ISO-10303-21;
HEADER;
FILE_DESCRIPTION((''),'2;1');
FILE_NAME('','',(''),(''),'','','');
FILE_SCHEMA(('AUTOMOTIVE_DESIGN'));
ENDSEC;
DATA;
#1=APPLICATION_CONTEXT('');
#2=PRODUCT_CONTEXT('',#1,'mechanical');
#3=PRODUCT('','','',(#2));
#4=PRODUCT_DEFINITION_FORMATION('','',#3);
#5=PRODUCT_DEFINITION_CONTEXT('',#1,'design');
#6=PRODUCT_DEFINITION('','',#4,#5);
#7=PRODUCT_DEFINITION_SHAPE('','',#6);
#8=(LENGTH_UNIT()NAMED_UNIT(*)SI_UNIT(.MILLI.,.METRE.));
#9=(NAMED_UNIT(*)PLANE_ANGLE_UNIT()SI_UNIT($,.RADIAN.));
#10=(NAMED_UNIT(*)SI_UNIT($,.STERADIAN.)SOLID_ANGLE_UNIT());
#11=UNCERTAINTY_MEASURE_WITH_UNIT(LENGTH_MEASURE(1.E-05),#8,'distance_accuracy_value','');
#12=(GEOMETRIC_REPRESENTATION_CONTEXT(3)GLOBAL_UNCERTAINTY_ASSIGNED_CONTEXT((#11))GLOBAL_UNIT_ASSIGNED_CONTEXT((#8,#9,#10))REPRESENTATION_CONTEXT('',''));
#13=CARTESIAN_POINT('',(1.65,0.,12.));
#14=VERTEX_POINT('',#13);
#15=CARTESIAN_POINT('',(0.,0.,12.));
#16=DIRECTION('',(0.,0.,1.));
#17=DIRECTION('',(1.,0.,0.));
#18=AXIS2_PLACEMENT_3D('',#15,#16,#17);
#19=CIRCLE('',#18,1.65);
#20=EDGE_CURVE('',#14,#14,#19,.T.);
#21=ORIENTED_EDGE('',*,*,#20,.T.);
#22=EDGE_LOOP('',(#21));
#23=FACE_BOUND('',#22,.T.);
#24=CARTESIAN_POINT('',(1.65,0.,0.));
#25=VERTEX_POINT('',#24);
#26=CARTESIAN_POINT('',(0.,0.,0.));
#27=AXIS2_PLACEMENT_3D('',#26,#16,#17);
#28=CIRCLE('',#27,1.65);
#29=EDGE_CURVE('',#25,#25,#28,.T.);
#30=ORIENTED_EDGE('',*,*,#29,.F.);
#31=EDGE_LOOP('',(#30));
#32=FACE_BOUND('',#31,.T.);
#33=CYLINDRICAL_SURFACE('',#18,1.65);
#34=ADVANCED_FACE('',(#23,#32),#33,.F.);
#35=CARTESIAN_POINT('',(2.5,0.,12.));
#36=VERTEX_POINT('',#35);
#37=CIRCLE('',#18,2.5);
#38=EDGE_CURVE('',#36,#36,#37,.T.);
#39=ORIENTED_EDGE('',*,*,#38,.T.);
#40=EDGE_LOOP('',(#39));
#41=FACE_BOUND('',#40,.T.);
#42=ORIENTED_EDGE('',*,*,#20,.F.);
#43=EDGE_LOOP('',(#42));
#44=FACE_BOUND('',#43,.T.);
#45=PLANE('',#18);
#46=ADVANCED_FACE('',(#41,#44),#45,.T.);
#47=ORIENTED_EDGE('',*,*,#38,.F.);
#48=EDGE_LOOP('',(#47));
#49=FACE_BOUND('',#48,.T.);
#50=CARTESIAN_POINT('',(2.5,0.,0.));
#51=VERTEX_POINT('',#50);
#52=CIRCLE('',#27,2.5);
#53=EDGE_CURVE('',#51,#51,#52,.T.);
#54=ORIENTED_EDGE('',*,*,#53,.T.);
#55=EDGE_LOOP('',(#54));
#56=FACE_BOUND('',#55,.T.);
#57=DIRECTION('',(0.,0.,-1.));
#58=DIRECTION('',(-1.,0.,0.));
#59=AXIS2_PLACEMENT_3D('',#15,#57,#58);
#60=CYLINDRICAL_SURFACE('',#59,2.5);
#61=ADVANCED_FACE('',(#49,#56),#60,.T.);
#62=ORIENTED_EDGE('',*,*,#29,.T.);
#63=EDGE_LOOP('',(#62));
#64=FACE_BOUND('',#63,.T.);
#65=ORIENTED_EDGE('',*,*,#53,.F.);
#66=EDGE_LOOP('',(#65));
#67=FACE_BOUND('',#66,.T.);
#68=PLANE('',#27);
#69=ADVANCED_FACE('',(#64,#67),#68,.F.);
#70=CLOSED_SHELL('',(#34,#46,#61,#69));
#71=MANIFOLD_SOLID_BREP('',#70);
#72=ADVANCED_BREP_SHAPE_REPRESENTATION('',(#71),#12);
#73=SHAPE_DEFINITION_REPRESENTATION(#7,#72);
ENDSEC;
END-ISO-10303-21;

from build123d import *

# Parameters (mm, degrees)
ESQUISSE1_R        = 2.5
BOSS_EXTRU_1_DEPTH = 12
TROU_TARAUD_M41_D  = 3.3


with BuildPart() as part:
    # Esquisse1 → Boss.-Extru.1 (new body)
    with BuildSketch(Plane.XY):
        Circle(ESQUISSE1_R)
    extrude(amount=BOSS_EXTRU_1_DEPTH)

    # Trou taraudé M41 (through all)
    with Locations(Plane.XY.offset(12)):
        with Locations((0, 0)):
            Hole(TROU_TARAUD_M41_D / 2)


solid = part.part
